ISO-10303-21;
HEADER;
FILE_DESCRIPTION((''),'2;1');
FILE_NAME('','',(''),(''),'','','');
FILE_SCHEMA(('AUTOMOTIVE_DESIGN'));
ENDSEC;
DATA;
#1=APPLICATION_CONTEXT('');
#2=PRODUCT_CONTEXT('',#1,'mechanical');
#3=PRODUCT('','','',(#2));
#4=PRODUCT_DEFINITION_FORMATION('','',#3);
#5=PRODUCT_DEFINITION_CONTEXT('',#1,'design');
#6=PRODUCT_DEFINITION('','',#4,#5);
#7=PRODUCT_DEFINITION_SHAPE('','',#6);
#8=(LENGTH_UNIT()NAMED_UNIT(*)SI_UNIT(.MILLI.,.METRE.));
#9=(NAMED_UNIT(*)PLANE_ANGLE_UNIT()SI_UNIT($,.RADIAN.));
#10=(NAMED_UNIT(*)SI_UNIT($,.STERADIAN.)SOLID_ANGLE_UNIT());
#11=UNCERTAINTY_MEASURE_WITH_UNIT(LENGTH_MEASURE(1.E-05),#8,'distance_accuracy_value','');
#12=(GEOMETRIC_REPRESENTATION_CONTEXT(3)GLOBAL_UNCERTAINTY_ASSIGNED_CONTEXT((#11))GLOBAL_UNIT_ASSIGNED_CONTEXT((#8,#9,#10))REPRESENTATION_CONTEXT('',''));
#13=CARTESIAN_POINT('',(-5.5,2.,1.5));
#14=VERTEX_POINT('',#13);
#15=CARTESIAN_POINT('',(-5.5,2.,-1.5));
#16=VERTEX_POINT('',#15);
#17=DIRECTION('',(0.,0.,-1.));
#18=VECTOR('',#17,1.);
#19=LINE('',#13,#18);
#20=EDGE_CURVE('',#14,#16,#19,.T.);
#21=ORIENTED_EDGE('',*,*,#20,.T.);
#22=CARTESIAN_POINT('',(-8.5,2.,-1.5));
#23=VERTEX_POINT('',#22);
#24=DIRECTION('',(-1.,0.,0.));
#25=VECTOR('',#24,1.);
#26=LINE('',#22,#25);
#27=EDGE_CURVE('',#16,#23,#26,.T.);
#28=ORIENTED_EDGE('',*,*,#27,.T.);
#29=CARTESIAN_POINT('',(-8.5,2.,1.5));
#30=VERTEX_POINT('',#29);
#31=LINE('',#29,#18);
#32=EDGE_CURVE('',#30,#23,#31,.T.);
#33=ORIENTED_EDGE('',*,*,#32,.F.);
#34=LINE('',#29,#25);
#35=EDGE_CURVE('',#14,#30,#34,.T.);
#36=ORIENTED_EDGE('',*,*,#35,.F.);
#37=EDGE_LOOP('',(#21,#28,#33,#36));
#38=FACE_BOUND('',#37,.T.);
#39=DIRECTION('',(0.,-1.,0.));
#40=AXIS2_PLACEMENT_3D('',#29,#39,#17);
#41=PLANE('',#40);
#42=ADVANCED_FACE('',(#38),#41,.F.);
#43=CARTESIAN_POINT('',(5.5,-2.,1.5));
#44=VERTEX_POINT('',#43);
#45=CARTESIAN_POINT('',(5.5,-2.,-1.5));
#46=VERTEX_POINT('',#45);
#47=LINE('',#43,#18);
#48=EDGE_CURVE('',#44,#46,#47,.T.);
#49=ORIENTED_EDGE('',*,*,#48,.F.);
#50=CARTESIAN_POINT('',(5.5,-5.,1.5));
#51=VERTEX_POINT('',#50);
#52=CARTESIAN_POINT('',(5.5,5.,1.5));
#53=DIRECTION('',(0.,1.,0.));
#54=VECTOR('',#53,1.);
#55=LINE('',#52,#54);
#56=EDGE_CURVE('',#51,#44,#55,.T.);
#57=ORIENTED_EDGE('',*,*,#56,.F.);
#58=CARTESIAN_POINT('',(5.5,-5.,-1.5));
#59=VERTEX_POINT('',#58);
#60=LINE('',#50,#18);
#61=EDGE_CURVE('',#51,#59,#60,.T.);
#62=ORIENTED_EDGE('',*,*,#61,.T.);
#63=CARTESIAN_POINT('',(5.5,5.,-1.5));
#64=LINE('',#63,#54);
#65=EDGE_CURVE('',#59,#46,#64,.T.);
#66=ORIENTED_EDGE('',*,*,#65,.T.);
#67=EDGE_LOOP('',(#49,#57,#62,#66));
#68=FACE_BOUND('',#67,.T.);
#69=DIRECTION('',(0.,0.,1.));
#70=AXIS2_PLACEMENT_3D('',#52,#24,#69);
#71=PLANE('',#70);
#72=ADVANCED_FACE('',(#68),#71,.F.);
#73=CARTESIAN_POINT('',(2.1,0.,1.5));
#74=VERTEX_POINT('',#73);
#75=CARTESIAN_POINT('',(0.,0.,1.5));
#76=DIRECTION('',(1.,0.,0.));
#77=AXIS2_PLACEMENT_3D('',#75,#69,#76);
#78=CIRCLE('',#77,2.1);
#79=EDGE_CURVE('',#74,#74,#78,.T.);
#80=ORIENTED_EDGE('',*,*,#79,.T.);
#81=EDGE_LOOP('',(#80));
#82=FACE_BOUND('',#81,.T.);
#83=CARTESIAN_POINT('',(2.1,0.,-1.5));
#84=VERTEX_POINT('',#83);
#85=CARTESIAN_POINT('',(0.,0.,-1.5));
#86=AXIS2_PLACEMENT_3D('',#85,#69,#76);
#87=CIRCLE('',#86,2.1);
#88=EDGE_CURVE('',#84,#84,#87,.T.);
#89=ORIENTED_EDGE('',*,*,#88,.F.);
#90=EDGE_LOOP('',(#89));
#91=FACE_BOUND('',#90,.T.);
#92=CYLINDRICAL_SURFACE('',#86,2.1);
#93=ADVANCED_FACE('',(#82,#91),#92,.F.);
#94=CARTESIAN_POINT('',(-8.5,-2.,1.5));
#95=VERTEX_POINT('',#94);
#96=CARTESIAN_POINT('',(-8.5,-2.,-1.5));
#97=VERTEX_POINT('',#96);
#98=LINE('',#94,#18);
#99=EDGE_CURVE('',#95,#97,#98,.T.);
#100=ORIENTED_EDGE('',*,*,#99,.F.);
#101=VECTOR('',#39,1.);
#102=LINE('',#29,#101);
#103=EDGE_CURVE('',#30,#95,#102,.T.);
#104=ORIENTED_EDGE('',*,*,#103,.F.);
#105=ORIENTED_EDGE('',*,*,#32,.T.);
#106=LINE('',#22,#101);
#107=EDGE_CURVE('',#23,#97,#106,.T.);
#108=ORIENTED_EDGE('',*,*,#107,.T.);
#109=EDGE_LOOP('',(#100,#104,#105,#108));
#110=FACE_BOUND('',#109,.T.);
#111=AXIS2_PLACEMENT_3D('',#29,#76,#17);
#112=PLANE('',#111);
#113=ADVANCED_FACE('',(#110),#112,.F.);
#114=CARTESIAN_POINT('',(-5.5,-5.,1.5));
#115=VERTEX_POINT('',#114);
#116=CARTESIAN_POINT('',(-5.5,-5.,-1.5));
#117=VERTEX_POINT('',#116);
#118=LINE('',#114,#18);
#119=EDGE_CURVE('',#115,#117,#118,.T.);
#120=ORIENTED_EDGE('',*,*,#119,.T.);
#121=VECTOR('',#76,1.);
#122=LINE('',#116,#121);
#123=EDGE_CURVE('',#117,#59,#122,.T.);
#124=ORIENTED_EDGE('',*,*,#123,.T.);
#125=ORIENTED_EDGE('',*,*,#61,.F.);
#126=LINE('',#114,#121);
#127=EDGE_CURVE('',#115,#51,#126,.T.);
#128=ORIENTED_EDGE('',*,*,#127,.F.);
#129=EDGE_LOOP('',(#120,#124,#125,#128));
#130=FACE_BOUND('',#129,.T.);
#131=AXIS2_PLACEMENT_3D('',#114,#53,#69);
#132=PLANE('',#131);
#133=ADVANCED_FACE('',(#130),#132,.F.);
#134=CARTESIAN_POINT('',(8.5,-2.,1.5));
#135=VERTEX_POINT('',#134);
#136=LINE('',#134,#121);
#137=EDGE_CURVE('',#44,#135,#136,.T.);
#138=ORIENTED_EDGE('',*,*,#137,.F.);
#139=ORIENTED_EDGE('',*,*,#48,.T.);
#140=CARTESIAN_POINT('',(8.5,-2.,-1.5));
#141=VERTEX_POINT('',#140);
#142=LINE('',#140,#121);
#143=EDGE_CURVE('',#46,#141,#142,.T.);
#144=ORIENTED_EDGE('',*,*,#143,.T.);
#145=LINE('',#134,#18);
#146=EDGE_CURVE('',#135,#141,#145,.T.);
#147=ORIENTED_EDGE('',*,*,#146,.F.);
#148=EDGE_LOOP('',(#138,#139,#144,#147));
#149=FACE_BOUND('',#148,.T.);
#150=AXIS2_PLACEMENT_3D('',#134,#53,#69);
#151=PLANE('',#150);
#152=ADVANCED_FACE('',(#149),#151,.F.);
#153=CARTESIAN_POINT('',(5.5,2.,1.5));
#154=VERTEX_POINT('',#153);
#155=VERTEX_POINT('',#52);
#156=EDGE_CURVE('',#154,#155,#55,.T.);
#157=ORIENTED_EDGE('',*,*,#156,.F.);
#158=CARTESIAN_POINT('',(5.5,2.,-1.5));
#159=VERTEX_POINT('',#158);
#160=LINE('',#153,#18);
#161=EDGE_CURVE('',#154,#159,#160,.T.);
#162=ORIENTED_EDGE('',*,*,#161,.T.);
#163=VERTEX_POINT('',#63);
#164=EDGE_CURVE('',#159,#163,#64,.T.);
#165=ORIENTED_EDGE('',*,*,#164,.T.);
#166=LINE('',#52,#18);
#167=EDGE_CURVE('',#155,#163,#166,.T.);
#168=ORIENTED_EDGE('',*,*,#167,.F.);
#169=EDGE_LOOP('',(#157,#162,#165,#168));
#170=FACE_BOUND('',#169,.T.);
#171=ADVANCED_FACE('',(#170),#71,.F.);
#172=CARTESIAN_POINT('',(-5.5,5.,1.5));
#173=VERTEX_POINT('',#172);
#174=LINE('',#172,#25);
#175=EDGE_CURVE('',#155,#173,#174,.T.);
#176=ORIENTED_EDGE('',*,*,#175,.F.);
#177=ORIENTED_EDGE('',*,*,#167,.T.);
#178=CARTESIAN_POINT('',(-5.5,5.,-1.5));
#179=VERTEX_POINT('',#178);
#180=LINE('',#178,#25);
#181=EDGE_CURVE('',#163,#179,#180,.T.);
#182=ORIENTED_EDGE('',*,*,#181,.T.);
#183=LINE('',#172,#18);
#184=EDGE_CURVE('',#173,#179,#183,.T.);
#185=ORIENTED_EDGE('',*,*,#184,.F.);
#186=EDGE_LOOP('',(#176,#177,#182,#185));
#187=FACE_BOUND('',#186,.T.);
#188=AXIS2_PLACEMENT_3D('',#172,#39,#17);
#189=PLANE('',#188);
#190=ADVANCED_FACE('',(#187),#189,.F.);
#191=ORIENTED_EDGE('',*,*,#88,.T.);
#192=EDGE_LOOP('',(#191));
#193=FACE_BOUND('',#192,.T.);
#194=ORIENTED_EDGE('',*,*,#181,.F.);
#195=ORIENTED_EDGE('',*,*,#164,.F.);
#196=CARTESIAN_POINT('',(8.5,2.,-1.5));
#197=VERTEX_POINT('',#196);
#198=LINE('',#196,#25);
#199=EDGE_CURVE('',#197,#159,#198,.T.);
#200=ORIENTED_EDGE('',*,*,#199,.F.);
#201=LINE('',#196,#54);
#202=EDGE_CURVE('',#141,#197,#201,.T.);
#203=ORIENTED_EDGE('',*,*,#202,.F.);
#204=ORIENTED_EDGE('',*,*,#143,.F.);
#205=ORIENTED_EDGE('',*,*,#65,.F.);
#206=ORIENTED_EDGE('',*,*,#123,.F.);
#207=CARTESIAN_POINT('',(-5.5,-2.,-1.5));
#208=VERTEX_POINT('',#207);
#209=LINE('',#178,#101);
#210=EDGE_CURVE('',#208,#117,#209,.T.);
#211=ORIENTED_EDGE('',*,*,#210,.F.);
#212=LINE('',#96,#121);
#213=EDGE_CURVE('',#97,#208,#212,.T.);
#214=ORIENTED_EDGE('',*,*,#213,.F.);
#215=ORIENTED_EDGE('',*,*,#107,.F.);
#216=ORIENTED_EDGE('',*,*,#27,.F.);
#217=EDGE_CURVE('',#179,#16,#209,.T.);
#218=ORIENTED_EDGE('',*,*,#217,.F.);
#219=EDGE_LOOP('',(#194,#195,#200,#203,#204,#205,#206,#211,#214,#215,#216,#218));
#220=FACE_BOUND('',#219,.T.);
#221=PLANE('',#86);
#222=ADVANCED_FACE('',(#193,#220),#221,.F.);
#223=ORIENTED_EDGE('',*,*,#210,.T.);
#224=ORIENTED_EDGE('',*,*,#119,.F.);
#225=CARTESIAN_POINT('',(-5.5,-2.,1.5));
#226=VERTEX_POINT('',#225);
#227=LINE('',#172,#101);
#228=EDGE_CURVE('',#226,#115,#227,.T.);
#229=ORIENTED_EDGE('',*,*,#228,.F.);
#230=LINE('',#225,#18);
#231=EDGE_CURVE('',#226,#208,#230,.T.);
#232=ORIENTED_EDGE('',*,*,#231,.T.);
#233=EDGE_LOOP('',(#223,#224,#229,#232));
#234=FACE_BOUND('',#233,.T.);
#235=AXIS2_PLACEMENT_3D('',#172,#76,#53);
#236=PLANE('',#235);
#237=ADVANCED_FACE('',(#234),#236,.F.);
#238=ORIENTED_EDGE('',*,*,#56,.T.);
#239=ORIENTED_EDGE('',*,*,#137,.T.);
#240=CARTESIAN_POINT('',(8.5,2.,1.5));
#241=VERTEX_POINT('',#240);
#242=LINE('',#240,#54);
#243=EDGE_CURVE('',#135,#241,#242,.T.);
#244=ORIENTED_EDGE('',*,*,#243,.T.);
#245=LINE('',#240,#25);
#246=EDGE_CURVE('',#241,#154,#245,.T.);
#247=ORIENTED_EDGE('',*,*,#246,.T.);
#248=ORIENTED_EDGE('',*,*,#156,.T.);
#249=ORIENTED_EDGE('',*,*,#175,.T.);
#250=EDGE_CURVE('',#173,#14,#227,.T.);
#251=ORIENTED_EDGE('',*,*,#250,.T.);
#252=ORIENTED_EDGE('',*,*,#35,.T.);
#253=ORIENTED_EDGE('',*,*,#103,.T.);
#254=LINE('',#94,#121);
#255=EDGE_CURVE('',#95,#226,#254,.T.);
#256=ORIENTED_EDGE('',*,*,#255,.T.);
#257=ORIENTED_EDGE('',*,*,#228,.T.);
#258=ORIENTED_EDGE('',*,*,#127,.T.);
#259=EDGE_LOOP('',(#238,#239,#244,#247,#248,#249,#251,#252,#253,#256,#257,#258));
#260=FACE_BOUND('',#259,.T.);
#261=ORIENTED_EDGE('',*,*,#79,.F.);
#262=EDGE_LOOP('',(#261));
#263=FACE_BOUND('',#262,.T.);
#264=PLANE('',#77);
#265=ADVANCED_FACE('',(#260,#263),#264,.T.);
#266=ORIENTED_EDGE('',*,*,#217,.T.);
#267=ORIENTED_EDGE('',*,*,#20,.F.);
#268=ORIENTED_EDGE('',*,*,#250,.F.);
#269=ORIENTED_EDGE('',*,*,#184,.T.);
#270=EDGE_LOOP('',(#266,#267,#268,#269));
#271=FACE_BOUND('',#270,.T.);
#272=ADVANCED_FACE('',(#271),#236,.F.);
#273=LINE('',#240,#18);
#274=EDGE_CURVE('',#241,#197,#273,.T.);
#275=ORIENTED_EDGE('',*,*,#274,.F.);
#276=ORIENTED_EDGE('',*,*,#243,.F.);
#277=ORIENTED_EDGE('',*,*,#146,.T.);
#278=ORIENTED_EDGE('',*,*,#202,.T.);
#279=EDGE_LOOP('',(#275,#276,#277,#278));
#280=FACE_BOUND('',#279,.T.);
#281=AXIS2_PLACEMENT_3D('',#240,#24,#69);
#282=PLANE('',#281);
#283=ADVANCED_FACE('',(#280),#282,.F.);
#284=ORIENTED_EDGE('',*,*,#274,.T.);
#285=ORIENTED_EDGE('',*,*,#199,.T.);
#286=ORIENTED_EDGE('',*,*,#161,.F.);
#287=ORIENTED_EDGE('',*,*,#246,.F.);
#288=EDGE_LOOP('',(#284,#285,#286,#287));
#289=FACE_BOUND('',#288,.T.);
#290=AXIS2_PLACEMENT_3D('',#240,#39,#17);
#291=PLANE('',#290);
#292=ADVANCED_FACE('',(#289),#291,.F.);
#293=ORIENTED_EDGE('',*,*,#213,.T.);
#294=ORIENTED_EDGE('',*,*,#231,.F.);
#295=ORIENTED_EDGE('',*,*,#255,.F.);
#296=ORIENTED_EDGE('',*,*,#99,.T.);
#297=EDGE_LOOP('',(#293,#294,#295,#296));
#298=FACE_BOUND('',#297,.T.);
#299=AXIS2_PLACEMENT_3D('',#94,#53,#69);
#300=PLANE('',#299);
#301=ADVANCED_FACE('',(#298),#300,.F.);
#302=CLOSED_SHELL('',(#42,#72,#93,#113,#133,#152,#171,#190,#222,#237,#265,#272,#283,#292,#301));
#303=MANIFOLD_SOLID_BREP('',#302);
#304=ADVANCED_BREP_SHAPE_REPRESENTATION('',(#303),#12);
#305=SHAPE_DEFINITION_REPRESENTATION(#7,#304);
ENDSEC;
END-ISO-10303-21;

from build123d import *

# Parameters (mm, degrees)
SKETCH1_W               = 11
SKETCH1_H               = 10
BOSS_EXTRUDE1_DEPTH     = 1.5
SKETCH3_W               = 3
SKETCH3_H               = 4
BOSS_EXTRUDE2_DEPTH     = 1.5
CUT_EXTRUDE1_DEPTH      = 10.974968672
CUT_EXTRUDE1_DEPTH_BACK = 10.974968672
SKETCH4_R               = 2.1


with BuildPart() as part:
    # Sketch1 → Boss-Extrude1 (new, symmetric)
    with BuildSketch(Plane.XY):
        Rectangle(SKETCH1_W, SKETCH1_H)
    extrude(amount=BOSS_EXTRUDE1_DEPTH, both=True)

    # Sketch3 → Boss-Extrude2 (add, symmetric)
    with BuildSketch(Plane.XY):
        with Locations((-7, 0)):
            Rectangle(SKETCH3_W, SKETCH3_H)
        with Locations((7, 0)):
            Rectangle(SKETCH3_W, SKETCH3_H)
    extrude(amount=BOSS_EXTRUDE2_DEPTH, both=True)

    # Sketch4 → Cut-Extrude1 (cut, two sides: drawn at the far end of the back side and taken through both)
    with BuildSketch(Plane.XY.offset(-CUT_EXTRUDE1_DEPTH_BACK)):
        Circle(SKETCH4_R)
    extrude(amount=CUT_EXTRUDE1_DEPTH + CUT_EXTRUDE1_DEPTH_BACK, mode=Mode.SUBTRACT)


solid = part.part
